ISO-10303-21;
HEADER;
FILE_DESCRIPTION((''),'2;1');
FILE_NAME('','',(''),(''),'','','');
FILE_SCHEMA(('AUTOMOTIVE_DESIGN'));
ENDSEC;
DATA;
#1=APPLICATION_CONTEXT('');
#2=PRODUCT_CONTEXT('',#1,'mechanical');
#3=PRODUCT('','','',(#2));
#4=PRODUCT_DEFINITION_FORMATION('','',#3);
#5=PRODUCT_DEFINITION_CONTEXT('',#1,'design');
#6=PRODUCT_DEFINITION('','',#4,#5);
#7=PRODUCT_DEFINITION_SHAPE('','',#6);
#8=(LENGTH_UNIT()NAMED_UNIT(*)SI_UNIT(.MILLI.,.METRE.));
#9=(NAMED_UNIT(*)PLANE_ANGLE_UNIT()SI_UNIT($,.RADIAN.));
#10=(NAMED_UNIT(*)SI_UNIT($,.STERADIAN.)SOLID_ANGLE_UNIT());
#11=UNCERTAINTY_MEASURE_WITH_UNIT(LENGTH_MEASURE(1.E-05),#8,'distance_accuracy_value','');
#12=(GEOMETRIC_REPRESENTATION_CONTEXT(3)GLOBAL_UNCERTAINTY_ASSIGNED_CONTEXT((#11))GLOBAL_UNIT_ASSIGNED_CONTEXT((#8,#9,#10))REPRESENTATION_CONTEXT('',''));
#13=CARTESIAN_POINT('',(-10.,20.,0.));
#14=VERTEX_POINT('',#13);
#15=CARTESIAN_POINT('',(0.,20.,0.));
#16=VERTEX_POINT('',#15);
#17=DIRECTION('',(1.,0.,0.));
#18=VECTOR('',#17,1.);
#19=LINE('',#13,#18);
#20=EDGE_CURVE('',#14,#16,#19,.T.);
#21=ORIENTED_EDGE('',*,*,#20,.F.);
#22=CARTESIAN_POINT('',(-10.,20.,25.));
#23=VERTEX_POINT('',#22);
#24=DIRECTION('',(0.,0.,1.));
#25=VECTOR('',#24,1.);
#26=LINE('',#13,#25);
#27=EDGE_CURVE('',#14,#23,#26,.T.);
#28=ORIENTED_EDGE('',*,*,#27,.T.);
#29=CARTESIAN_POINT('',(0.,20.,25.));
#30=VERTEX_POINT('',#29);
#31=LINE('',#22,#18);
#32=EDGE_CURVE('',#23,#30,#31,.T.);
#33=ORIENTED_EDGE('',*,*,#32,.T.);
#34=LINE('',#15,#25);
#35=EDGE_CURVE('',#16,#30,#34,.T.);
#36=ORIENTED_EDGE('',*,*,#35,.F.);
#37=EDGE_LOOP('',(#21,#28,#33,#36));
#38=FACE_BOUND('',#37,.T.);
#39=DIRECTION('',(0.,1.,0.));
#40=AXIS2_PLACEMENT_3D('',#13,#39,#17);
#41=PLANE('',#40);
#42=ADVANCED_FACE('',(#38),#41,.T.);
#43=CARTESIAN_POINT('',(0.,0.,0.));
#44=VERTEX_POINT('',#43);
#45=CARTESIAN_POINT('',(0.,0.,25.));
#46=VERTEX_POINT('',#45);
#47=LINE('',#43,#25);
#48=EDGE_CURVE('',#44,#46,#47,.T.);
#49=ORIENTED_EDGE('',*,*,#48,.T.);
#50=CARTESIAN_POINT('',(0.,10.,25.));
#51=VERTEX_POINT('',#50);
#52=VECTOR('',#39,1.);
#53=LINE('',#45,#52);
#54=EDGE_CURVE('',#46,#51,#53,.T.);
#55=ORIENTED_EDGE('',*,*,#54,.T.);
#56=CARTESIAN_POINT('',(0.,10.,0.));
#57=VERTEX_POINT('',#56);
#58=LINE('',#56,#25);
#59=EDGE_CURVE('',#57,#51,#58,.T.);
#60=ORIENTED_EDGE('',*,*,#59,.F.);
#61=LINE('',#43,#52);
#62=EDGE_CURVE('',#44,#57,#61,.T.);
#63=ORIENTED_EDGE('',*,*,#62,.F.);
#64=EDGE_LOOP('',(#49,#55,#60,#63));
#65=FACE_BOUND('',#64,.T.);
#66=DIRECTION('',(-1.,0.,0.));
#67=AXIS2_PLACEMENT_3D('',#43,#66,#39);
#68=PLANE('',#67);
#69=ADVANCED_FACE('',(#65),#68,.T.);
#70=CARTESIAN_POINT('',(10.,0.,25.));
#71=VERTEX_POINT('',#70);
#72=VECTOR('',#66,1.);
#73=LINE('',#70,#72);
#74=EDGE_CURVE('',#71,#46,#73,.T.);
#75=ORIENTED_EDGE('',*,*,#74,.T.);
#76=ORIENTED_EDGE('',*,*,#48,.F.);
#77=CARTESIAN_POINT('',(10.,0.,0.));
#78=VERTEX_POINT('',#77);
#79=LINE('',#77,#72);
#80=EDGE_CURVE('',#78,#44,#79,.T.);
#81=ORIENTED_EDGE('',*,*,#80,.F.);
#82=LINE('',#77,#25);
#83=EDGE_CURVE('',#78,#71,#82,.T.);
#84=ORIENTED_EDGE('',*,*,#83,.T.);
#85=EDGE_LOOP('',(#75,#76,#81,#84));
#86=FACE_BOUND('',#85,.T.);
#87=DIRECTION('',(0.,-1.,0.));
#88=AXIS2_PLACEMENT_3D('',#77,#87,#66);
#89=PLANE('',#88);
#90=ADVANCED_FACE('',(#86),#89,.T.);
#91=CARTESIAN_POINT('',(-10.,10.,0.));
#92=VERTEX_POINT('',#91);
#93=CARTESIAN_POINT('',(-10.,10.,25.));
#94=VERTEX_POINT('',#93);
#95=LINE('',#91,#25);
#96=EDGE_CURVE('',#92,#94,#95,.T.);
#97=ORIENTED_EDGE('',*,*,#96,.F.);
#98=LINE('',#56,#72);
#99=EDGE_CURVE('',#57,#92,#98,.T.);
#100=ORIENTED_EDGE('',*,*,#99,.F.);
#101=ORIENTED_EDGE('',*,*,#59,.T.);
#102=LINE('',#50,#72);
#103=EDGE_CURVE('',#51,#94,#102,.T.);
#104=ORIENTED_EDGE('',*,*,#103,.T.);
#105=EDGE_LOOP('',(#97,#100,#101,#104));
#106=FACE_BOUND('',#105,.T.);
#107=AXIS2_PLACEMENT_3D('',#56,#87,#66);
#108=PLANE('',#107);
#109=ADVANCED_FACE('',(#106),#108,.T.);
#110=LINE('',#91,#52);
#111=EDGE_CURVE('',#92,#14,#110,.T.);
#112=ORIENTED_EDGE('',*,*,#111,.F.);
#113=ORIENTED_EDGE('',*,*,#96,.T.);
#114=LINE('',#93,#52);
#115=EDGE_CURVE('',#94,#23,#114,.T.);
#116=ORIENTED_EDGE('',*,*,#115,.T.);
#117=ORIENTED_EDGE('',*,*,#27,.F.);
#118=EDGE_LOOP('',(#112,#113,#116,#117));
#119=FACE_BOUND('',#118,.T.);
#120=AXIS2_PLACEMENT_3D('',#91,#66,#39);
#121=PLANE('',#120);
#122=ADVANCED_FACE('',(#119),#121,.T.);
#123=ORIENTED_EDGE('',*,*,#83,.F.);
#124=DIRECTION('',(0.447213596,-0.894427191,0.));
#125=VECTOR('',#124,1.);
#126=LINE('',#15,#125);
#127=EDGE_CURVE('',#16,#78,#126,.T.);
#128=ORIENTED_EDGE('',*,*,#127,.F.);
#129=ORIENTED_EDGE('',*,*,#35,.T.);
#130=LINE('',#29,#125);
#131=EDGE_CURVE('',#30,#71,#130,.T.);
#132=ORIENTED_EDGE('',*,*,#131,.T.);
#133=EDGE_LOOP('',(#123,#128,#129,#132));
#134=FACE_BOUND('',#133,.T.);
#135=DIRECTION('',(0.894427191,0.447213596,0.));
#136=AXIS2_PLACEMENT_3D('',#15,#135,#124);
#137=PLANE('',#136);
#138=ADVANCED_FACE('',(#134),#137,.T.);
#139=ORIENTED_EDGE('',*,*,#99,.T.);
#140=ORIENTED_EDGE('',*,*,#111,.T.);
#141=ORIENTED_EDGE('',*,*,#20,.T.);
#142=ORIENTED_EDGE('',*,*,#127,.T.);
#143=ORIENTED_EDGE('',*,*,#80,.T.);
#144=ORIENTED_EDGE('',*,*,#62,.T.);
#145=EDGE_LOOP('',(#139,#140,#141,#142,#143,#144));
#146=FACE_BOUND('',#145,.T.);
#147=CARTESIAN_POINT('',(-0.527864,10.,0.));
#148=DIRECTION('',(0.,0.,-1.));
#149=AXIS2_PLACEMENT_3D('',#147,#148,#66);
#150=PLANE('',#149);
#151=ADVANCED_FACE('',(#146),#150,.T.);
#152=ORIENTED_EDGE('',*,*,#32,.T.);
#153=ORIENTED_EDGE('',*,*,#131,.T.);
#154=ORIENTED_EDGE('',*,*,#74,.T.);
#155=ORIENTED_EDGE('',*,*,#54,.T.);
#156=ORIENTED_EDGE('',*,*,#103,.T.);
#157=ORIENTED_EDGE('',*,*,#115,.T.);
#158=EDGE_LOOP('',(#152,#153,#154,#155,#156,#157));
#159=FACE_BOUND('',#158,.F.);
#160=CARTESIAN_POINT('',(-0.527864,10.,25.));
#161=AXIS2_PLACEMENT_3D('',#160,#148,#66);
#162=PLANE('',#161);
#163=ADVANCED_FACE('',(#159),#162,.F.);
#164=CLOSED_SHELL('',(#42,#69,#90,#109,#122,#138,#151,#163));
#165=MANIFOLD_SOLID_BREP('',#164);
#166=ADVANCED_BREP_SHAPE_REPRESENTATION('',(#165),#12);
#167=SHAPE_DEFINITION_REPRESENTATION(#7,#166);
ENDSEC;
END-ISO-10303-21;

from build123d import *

# Parameters (mm, degrees)
BOSS_EXTRUDE1_DEPTH = 25


with BuildPart() as part:
    # Sketch1 → Boss-Extrude1 (new body)
    with BuildSketch(Plane.XY):
        Polygon((-10, 20), (0, 20), (10, 0), (0, 0), (0, 10), (-10, 10), align=None)
    extrude(amount=BOSS_EXTRUDE1_DEPTH)


solid = part.part
